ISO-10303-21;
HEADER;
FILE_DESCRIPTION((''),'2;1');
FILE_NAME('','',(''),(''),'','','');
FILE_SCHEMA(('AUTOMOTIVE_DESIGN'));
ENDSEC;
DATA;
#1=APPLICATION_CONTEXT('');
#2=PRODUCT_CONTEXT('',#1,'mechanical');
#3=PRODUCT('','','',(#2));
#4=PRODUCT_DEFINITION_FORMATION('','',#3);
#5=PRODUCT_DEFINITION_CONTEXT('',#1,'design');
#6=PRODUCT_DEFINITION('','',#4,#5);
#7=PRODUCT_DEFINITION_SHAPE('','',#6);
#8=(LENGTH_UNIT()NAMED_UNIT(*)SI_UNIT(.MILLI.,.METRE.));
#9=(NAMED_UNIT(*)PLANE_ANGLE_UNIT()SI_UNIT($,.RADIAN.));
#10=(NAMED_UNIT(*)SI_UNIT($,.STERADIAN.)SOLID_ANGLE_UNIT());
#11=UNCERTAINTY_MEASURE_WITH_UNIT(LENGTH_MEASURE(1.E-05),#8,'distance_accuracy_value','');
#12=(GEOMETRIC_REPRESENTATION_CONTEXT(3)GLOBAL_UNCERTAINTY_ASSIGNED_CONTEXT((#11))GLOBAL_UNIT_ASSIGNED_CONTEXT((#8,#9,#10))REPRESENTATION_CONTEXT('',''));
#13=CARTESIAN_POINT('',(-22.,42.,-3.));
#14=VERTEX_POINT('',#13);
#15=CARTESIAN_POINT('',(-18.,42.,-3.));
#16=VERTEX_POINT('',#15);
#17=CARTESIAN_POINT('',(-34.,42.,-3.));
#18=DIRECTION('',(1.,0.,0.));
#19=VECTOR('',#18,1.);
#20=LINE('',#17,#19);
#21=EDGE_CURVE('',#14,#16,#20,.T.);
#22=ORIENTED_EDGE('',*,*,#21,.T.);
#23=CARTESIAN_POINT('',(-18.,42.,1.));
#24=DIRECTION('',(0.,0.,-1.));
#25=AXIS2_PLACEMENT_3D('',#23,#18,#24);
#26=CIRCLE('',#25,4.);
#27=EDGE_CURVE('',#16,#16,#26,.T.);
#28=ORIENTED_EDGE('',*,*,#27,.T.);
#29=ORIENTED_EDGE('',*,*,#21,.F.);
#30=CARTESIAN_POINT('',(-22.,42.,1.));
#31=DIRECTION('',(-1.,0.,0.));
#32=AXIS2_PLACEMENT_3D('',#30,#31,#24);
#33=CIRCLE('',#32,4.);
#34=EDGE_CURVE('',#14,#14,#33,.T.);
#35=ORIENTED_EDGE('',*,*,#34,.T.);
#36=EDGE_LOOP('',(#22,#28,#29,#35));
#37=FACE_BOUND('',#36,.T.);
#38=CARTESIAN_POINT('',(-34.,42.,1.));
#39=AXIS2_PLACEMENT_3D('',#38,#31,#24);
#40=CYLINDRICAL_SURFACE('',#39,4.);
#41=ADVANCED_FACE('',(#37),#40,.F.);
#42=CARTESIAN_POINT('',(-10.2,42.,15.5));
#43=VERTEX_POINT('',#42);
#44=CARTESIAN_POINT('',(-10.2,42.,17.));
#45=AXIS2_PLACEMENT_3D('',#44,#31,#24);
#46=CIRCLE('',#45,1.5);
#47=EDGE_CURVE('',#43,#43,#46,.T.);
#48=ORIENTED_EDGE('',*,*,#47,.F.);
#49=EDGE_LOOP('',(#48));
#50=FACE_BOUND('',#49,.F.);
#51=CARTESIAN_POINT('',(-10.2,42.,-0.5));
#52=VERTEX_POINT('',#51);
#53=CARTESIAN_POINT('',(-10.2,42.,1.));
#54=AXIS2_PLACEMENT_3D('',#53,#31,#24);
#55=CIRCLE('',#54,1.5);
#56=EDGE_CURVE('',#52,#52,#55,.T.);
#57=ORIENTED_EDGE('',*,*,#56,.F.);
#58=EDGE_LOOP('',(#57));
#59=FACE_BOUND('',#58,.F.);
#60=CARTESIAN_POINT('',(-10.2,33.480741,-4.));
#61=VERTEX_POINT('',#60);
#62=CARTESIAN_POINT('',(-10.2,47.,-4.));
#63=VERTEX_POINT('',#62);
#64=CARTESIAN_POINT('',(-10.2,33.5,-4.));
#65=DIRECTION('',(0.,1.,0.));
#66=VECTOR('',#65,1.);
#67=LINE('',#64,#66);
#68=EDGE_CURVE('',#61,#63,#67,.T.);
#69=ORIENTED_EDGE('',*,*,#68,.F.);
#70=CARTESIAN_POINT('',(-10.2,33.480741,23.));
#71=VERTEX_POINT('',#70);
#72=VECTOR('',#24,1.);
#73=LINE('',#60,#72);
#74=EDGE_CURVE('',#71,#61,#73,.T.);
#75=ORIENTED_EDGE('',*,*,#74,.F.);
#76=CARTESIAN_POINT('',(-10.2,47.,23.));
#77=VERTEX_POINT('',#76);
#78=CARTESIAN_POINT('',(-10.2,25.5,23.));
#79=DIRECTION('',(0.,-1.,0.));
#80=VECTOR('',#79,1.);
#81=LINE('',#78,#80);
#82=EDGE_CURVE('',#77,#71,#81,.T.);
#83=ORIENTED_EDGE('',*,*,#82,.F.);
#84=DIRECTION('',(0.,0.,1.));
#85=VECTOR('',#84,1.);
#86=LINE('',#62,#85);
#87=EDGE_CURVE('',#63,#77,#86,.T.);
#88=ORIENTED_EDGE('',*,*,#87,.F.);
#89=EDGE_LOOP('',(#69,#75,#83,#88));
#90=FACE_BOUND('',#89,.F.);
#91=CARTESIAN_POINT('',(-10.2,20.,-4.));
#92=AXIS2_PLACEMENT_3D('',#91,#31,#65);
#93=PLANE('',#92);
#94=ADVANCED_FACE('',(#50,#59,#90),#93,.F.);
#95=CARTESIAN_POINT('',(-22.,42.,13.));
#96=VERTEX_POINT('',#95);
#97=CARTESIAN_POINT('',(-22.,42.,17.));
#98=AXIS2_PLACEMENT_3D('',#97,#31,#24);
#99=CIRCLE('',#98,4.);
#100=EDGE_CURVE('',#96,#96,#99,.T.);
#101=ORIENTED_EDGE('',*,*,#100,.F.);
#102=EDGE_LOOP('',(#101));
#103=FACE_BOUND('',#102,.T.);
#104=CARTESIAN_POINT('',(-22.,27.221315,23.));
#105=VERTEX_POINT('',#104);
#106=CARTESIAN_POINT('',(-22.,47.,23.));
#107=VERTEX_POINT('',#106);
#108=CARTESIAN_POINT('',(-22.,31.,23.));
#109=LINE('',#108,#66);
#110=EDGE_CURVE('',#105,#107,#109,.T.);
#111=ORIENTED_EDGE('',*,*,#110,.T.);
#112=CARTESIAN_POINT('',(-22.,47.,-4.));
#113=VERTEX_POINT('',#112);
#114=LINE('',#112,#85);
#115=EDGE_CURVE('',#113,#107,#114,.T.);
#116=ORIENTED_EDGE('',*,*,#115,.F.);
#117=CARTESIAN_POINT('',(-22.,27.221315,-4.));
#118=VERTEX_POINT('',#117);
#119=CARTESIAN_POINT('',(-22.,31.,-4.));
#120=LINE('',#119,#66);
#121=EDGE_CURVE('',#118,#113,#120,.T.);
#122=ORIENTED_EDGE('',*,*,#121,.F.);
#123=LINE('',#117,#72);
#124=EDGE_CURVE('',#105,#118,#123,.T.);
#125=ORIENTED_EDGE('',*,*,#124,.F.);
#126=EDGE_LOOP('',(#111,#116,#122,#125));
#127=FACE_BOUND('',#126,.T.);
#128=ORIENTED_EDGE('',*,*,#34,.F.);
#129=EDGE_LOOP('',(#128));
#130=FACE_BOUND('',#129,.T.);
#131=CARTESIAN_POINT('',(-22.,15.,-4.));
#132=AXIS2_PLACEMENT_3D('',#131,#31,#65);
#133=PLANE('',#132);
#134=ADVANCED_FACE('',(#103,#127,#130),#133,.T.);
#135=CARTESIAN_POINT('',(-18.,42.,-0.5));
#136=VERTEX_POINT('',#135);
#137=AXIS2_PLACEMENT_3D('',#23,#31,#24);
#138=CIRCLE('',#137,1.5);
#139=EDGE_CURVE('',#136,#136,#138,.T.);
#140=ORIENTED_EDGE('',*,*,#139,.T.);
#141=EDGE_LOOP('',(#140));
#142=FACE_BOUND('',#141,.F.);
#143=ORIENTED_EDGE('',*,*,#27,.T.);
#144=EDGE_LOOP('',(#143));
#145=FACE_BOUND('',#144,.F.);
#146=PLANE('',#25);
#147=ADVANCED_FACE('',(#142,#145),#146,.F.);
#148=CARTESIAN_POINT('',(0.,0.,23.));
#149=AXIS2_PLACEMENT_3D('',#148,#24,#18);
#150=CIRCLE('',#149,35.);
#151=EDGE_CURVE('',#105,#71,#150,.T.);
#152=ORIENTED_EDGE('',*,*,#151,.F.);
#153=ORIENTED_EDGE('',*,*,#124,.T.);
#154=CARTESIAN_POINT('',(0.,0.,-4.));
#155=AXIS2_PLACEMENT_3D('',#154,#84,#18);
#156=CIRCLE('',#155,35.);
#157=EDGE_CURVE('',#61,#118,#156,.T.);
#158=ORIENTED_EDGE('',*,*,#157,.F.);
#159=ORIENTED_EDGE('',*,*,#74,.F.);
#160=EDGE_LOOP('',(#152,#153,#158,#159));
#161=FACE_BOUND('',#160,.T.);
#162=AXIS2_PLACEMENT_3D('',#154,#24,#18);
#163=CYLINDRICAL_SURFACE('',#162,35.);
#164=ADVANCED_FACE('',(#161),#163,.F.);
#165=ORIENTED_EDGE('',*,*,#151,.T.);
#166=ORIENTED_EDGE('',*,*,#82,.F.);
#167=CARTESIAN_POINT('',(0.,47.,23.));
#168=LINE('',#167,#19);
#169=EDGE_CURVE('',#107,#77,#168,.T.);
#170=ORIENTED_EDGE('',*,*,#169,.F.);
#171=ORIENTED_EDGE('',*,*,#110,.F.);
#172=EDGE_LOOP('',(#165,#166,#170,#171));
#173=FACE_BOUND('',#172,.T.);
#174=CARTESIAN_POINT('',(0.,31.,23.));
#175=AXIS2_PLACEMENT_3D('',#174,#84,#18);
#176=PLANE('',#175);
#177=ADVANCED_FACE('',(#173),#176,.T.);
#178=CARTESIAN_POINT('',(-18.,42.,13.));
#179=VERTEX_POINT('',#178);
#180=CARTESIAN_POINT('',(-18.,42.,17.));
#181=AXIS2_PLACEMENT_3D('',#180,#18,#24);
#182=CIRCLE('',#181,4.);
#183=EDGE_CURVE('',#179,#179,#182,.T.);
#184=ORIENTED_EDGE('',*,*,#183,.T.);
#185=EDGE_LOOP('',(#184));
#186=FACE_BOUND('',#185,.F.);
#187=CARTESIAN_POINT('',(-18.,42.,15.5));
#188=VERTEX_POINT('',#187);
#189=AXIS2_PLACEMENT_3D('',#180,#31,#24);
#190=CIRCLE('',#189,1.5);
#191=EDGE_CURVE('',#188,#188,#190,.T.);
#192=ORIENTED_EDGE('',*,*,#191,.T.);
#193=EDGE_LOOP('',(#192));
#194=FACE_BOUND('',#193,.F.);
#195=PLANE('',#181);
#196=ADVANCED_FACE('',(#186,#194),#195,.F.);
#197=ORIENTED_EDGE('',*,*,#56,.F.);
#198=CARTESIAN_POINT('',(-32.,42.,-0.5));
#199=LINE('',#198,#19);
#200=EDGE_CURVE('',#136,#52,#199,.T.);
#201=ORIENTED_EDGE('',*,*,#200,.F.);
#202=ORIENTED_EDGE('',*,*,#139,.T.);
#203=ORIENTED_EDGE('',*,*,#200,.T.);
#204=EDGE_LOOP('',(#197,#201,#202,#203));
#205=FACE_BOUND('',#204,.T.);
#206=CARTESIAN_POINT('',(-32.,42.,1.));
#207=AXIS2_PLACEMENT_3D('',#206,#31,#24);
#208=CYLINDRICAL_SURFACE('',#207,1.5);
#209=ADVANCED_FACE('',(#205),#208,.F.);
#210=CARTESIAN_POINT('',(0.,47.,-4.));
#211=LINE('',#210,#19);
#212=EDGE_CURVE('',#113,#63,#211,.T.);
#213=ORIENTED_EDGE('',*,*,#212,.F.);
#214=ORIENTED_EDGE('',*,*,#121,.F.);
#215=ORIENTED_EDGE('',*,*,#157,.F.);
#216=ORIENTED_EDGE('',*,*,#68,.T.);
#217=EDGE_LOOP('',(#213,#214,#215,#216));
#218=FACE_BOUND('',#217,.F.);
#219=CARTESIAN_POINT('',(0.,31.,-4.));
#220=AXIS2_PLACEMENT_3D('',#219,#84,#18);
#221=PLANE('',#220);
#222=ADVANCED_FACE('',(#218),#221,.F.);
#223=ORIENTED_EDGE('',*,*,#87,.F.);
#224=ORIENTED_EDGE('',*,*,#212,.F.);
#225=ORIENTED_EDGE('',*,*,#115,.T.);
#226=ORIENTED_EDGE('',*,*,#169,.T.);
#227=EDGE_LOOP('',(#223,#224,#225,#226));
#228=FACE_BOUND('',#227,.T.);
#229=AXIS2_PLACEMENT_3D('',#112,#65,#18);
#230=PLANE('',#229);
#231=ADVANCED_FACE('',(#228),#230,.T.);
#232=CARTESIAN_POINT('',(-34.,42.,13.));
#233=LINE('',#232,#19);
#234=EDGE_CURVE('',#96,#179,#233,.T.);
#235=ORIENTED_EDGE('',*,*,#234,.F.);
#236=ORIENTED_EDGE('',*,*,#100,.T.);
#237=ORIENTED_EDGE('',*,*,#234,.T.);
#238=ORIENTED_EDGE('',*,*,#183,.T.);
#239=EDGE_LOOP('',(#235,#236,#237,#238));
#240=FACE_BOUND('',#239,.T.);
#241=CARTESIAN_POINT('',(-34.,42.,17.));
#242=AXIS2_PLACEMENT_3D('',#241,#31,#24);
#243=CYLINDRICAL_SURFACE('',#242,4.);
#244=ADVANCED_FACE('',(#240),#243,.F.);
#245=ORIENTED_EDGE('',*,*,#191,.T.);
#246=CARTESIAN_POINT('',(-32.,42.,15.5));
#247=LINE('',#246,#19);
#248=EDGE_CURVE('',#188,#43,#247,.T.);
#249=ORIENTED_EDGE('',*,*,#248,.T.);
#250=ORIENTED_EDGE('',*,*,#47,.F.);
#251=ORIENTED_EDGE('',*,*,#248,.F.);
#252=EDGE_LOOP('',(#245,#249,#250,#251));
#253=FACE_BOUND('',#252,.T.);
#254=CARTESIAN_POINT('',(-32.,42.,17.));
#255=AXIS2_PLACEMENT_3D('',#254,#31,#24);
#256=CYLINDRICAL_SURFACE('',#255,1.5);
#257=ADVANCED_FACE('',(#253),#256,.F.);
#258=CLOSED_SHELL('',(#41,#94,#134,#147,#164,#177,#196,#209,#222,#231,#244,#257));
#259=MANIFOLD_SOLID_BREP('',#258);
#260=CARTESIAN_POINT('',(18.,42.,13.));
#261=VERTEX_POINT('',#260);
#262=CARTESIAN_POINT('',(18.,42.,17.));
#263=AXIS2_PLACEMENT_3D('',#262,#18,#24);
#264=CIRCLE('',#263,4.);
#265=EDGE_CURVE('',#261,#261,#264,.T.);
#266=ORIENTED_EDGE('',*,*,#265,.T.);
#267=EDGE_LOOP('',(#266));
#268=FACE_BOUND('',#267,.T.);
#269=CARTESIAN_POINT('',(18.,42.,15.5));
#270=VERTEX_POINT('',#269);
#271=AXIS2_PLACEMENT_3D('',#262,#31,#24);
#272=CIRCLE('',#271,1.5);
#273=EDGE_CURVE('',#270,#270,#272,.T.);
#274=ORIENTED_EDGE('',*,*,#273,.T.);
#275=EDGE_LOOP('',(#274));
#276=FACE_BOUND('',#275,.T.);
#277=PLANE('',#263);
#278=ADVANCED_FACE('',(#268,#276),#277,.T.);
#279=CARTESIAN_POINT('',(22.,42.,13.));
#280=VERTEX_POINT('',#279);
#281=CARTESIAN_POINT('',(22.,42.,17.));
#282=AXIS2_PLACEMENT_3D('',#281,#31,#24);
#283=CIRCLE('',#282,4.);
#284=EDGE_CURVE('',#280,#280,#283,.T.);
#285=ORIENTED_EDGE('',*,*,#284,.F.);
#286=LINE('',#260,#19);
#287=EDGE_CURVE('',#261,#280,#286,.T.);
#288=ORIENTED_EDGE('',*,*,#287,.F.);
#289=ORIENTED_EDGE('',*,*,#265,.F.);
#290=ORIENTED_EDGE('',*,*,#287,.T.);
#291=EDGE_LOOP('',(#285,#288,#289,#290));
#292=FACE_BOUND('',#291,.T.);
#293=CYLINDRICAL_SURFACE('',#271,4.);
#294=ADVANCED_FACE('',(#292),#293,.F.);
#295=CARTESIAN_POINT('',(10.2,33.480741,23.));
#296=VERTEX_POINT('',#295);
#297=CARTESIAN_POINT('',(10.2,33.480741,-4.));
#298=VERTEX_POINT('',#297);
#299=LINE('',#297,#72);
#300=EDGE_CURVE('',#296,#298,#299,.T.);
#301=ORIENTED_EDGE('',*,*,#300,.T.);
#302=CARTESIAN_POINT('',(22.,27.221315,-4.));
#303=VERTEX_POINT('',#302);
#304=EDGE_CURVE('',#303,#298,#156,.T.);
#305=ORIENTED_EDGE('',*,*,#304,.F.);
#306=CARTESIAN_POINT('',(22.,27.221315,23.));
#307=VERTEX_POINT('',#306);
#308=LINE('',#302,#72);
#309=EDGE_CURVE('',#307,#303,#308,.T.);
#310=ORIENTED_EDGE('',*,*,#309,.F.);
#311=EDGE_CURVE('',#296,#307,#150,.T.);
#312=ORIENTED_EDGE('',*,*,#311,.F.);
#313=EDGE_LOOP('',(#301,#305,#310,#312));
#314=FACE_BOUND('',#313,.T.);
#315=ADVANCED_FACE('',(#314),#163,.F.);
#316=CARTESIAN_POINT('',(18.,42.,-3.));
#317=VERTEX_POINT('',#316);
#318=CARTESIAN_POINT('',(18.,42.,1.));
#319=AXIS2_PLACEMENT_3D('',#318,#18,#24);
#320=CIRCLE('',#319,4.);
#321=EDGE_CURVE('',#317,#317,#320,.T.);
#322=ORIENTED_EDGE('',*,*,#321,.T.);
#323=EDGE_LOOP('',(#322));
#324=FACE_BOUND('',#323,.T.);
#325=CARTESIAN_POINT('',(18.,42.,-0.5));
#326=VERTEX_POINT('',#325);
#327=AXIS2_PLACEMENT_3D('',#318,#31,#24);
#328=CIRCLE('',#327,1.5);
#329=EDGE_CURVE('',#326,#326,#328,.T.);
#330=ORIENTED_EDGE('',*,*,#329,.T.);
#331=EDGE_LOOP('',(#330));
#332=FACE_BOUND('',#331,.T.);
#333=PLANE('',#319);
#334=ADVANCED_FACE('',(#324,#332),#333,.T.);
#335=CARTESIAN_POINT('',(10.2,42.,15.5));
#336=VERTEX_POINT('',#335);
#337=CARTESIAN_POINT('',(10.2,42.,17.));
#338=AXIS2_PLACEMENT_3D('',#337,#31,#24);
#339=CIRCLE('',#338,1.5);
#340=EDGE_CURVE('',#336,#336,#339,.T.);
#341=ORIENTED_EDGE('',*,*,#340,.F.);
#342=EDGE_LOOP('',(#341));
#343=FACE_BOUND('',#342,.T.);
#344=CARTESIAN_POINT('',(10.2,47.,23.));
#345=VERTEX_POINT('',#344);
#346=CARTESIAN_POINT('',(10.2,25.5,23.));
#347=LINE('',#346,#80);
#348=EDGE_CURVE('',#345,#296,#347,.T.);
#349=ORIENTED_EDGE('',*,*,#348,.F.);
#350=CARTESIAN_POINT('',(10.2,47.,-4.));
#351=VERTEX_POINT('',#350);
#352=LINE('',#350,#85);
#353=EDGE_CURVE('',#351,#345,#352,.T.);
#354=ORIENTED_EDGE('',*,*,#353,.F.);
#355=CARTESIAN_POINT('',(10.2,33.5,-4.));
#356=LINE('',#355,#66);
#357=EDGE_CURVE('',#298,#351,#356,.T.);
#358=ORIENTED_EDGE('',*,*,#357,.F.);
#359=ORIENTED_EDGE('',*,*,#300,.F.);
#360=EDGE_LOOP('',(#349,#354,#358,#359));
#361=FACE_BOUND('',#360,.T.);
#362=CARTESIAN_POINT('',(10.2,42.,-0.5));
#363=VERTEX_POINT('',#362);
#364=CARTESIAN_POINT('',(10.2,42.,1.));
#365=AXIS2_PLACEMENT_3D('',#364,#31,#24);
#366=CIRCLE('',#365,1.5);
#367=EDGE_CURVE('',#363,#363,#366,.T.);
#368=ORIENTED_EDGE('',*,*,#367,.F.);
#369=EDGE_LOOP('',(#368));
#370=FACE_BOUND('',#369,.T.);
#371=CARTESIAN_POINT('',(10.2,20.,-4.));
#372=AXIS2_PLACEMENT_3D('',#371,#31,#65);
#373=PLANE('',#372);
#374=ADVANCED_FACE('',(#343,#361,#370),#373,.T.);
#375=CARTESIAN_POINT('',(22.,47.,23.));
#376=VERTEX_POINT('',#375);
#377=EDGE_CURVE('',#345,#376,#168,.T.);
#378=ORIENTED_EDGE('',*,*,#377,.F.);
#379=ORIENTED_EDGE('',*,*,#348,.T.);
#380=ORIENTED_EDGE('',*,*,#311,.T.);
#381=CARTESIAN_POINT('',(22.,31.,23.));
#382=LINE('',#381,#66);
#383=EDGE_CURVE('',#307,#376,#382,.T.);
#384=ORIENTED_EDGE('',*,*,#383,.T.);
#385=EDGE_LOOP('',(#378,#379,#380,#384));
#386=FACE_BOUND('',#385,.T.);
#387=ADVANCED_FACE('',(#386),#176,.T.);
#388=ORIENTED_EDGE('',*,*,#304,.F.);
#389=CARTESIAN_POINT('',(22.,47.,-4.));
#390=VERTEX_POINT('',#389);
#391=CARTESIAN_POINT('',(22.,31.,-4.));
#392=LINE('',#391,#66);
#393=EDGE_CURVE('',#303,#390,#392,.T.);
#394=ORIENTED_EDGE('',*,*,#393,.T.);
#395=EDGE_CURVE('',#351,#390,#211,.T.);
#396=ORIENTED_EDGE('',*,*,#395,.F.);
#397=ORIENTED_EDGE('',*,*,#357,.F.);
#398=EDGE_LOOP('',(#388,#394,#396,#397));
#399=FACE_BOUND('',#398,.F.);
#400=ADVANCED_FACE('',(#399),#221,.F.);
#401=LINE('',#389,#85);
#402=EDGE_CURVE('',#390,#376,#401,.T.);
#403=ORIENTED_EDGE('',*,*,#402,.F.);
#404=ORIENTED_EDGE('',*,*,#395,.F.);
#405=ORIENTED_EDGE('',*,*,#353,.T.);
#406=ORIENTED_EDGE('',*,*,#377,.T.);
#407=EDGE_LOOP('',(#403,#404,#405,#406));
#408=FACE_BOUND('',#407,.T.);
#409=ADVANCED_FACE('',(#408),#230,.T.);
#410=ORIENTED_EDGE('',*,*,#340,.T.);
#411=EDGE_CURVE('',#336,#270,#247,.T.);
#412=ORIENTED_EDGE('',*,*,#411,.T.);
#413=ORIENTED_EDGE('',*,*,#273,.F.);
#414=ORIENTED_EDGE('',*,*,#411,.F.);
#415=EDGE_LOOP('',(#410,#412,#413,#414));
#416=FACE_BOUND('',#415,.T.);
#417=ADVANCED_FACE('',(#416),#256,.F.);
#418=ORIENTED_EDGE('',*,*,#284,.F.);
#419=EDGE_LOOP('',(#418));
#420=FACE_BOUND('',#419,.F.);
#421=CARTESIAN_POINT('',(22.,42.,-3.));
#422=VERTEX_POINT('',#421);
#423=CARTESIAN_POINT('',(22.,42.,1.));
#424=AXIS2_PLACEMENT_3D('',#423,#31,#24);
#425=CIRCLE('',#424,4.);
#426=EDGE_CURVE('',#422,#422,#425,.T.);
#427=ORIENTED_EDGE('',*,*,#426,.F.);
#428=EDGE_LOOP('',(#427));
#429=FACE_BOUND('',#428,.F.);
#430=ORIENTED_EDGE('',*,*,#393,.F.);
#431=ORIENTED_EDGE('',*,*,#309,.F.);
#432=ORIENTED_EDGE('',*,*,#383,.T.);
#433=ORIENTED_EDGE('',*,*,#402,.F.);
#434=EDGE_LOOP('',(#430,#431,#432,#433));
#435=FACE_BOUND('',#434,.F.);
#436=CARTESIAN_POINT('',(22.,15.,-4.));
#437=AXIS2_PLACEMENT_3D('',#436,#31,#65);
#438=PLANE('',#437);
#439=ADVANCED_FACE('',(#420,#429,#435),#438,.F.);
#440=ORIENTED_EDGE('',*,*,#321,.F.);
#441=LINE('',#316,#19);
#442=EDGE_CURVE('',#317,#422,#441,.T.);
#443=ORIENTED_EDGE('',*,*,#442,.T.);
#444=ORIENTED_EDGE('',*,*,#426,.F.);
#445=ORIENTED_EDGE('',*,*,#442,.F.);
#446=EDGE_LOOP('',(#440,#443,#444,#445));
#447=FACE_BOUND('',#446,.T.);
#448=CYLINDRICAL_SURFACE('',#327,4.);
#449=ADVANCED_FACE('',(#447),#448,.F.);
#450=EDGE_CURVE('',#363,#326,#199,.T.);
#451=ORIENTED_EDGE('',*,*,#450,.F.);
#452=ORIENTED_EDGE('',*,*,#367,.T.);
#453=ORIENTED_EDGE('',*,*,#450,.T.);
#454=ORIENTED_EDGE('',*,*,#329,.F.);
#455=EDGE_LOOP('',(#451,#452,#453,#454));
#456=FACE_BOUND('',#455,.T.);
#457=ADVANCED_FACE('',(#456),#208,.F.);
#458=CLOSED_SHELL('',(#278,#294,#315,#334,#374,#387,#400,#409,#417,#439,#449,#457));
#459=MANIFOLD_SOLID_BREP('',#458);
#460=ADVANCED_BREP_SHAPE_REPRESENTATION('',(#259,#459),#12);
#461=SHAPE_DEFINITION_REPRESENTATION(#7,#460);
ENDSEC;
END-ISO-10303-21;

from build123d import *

# Parameters (mm, degrees)
CYLINDER1796_R     = 1.5
CYLINDER1796_DEPTH = 64
CYLINDER1795_R     = 1.5
CYLINDER1795_DEPTH = 64
CYLINDER1800_R     = 4
CYLINDER1800_DEPTH = 16
CYLINDER1799_R     = 4
CYLINDER1799_DEPTH = 16
CYLINDER1798_R     = 4
CYLINDER1798_DEPTH = 16
CYLINDER1797_R     = 4
CYLINDER1797_DEPTH = 16
CYLINDER1793_R     = 35
CYLINDER1793_DEPTH = 32
BOX712_W           = 20.4
BOX712_H           = 27
BOX712_DEPTH       = 28
BOX711_W           = 44
BOX711_H           = 32
BOX711_DEPTH       = 27


with BuildPart() as v_lec1796:
    # Cylinder1796 → Cylinder1796 (new body)
    with BuildSketch(Plane(origin=(-32, 42, 17), x_dir=(0, 0, -1), z_dir=(1, 0, 0))):
        Circle(CYLINDER1796_R)
    extrude(amount=CYLINDER1796_DEPTH)


with BuildPart() as compound891:
    # Cylinder1795 → Cylinder1795 (new body)
    with BuildSketch(Plane(origin=(-32, 42, 1), x_dir=(0, 0, -1), z_dir=(1, 0, 0))):
        Circle(CYLINDER1795_R)
    extrude(amount=CYLINDER1795_DEPTH)

    # Compound891: union Válec1796
    add(v_lec1796.part)


with BuildPart() as v_lec1800:
    # Cylinder1800 → Cylinder1800 (new body)
    with BuildSketch(Plane(origin=(18, 42, 17), x_dir=(0, 0, -1), z_dir=(1, 0, 0))):
        Circle(CYLINDER1800_R)
    extrude(amount=CYLINDER1800_DEPTH)


with BuildPart() as v_lec1799:
    # Cylinder1799 → Cylinder1799 (new body)
    with BuildSketch(Plane(origin=(18, 42, 1), x_dir=(0, 0, -1), z_dir=(1, 0, 0))):
        Circle(CYLINDER1799_R)
    extrude(amount=CYLINDER1799_DEPTH)


with BuildPart() as v_lec1798:
    # Cylinder1798 → Cylinder1798 (new body)
    with BuildSketch(Plane(origin=(-34, 42, 17), x_dir=(0, 0, -1), z_dir=(1, 0, 0))):
        Circle(CYLINDER1798_R)
    extrude(amount=CYLINDER1798_DEPTH)


with BuildPart() as compound892:
    # Cylinder1797 → Cylinder1797 (new body)
    with BuildSketch(Plane(origin=(-34, 42, 1), x_dir=(0, 0, -1), z_dir=(1, 0, 0))):
        Circle(CYLINDER1797_R)
    extrude(amount=CYLINDER1797_DEPTH)

    # Compound892: union Válec1800, Válec1799, Válec1798
    add(v_lec1800.part)
    add(v_lec1799.part)
    add(v_lec1798.part)


with BuildPart() as v_lec1793:
    # Cylinder1793 → Cylinder1793 (new body)
    with BuildSketch(Plane.XY.offset(-3)):
        Circle(CYLINDER1793_R)
    extrude(amount=CYLINDER1793_DEPTH)


with BuildPart() as krychle712:
    # Box712 → Box712 (new body)
    with BuildSketch(Plane(origin=(-10.2, 20, -3), x_dir=(1, 0, 0), z_dir=(0, 0, 1))):
        with Locations((10.2, 13.5)):
            Rectangle(BOX712_W, BOX712_H)
    extrude(amount=BOX712_DEPTH)


with BuildPart() as cut529:
    # Box711 → Box711 (new body)
    with BuildSketch(Plane(origin=(-22, 15, -3), x_dir=(1, 0, 0), z_dir=(0, 0, 1))):
        with Locations((22, 16)):
            Rectangle(BOX711_W, BOX711_H)
    extrude(amount=BOX711_DEPTH)

    # Cut524: cut Krychle712
    add(krychle712.part, mode=Mode.SUBTRACT)

    # Cut527: cut Válec1793
    add(v_lec1793.part, mode=Mode.SUBTRACT)


with BuildPart() as cut529_1:
    # Cut527 placement: moved
    add(cut529.part.moved(Location((0, 0, -1))))

    # Cut528: cut Compound892
    add(compound892.part, mode=Mode.SUBTRACT)

    # Cut529: cut Compound891
    add(compound891.part, mode=Mode.SUBTRACT)


solid = cut529_1.part
